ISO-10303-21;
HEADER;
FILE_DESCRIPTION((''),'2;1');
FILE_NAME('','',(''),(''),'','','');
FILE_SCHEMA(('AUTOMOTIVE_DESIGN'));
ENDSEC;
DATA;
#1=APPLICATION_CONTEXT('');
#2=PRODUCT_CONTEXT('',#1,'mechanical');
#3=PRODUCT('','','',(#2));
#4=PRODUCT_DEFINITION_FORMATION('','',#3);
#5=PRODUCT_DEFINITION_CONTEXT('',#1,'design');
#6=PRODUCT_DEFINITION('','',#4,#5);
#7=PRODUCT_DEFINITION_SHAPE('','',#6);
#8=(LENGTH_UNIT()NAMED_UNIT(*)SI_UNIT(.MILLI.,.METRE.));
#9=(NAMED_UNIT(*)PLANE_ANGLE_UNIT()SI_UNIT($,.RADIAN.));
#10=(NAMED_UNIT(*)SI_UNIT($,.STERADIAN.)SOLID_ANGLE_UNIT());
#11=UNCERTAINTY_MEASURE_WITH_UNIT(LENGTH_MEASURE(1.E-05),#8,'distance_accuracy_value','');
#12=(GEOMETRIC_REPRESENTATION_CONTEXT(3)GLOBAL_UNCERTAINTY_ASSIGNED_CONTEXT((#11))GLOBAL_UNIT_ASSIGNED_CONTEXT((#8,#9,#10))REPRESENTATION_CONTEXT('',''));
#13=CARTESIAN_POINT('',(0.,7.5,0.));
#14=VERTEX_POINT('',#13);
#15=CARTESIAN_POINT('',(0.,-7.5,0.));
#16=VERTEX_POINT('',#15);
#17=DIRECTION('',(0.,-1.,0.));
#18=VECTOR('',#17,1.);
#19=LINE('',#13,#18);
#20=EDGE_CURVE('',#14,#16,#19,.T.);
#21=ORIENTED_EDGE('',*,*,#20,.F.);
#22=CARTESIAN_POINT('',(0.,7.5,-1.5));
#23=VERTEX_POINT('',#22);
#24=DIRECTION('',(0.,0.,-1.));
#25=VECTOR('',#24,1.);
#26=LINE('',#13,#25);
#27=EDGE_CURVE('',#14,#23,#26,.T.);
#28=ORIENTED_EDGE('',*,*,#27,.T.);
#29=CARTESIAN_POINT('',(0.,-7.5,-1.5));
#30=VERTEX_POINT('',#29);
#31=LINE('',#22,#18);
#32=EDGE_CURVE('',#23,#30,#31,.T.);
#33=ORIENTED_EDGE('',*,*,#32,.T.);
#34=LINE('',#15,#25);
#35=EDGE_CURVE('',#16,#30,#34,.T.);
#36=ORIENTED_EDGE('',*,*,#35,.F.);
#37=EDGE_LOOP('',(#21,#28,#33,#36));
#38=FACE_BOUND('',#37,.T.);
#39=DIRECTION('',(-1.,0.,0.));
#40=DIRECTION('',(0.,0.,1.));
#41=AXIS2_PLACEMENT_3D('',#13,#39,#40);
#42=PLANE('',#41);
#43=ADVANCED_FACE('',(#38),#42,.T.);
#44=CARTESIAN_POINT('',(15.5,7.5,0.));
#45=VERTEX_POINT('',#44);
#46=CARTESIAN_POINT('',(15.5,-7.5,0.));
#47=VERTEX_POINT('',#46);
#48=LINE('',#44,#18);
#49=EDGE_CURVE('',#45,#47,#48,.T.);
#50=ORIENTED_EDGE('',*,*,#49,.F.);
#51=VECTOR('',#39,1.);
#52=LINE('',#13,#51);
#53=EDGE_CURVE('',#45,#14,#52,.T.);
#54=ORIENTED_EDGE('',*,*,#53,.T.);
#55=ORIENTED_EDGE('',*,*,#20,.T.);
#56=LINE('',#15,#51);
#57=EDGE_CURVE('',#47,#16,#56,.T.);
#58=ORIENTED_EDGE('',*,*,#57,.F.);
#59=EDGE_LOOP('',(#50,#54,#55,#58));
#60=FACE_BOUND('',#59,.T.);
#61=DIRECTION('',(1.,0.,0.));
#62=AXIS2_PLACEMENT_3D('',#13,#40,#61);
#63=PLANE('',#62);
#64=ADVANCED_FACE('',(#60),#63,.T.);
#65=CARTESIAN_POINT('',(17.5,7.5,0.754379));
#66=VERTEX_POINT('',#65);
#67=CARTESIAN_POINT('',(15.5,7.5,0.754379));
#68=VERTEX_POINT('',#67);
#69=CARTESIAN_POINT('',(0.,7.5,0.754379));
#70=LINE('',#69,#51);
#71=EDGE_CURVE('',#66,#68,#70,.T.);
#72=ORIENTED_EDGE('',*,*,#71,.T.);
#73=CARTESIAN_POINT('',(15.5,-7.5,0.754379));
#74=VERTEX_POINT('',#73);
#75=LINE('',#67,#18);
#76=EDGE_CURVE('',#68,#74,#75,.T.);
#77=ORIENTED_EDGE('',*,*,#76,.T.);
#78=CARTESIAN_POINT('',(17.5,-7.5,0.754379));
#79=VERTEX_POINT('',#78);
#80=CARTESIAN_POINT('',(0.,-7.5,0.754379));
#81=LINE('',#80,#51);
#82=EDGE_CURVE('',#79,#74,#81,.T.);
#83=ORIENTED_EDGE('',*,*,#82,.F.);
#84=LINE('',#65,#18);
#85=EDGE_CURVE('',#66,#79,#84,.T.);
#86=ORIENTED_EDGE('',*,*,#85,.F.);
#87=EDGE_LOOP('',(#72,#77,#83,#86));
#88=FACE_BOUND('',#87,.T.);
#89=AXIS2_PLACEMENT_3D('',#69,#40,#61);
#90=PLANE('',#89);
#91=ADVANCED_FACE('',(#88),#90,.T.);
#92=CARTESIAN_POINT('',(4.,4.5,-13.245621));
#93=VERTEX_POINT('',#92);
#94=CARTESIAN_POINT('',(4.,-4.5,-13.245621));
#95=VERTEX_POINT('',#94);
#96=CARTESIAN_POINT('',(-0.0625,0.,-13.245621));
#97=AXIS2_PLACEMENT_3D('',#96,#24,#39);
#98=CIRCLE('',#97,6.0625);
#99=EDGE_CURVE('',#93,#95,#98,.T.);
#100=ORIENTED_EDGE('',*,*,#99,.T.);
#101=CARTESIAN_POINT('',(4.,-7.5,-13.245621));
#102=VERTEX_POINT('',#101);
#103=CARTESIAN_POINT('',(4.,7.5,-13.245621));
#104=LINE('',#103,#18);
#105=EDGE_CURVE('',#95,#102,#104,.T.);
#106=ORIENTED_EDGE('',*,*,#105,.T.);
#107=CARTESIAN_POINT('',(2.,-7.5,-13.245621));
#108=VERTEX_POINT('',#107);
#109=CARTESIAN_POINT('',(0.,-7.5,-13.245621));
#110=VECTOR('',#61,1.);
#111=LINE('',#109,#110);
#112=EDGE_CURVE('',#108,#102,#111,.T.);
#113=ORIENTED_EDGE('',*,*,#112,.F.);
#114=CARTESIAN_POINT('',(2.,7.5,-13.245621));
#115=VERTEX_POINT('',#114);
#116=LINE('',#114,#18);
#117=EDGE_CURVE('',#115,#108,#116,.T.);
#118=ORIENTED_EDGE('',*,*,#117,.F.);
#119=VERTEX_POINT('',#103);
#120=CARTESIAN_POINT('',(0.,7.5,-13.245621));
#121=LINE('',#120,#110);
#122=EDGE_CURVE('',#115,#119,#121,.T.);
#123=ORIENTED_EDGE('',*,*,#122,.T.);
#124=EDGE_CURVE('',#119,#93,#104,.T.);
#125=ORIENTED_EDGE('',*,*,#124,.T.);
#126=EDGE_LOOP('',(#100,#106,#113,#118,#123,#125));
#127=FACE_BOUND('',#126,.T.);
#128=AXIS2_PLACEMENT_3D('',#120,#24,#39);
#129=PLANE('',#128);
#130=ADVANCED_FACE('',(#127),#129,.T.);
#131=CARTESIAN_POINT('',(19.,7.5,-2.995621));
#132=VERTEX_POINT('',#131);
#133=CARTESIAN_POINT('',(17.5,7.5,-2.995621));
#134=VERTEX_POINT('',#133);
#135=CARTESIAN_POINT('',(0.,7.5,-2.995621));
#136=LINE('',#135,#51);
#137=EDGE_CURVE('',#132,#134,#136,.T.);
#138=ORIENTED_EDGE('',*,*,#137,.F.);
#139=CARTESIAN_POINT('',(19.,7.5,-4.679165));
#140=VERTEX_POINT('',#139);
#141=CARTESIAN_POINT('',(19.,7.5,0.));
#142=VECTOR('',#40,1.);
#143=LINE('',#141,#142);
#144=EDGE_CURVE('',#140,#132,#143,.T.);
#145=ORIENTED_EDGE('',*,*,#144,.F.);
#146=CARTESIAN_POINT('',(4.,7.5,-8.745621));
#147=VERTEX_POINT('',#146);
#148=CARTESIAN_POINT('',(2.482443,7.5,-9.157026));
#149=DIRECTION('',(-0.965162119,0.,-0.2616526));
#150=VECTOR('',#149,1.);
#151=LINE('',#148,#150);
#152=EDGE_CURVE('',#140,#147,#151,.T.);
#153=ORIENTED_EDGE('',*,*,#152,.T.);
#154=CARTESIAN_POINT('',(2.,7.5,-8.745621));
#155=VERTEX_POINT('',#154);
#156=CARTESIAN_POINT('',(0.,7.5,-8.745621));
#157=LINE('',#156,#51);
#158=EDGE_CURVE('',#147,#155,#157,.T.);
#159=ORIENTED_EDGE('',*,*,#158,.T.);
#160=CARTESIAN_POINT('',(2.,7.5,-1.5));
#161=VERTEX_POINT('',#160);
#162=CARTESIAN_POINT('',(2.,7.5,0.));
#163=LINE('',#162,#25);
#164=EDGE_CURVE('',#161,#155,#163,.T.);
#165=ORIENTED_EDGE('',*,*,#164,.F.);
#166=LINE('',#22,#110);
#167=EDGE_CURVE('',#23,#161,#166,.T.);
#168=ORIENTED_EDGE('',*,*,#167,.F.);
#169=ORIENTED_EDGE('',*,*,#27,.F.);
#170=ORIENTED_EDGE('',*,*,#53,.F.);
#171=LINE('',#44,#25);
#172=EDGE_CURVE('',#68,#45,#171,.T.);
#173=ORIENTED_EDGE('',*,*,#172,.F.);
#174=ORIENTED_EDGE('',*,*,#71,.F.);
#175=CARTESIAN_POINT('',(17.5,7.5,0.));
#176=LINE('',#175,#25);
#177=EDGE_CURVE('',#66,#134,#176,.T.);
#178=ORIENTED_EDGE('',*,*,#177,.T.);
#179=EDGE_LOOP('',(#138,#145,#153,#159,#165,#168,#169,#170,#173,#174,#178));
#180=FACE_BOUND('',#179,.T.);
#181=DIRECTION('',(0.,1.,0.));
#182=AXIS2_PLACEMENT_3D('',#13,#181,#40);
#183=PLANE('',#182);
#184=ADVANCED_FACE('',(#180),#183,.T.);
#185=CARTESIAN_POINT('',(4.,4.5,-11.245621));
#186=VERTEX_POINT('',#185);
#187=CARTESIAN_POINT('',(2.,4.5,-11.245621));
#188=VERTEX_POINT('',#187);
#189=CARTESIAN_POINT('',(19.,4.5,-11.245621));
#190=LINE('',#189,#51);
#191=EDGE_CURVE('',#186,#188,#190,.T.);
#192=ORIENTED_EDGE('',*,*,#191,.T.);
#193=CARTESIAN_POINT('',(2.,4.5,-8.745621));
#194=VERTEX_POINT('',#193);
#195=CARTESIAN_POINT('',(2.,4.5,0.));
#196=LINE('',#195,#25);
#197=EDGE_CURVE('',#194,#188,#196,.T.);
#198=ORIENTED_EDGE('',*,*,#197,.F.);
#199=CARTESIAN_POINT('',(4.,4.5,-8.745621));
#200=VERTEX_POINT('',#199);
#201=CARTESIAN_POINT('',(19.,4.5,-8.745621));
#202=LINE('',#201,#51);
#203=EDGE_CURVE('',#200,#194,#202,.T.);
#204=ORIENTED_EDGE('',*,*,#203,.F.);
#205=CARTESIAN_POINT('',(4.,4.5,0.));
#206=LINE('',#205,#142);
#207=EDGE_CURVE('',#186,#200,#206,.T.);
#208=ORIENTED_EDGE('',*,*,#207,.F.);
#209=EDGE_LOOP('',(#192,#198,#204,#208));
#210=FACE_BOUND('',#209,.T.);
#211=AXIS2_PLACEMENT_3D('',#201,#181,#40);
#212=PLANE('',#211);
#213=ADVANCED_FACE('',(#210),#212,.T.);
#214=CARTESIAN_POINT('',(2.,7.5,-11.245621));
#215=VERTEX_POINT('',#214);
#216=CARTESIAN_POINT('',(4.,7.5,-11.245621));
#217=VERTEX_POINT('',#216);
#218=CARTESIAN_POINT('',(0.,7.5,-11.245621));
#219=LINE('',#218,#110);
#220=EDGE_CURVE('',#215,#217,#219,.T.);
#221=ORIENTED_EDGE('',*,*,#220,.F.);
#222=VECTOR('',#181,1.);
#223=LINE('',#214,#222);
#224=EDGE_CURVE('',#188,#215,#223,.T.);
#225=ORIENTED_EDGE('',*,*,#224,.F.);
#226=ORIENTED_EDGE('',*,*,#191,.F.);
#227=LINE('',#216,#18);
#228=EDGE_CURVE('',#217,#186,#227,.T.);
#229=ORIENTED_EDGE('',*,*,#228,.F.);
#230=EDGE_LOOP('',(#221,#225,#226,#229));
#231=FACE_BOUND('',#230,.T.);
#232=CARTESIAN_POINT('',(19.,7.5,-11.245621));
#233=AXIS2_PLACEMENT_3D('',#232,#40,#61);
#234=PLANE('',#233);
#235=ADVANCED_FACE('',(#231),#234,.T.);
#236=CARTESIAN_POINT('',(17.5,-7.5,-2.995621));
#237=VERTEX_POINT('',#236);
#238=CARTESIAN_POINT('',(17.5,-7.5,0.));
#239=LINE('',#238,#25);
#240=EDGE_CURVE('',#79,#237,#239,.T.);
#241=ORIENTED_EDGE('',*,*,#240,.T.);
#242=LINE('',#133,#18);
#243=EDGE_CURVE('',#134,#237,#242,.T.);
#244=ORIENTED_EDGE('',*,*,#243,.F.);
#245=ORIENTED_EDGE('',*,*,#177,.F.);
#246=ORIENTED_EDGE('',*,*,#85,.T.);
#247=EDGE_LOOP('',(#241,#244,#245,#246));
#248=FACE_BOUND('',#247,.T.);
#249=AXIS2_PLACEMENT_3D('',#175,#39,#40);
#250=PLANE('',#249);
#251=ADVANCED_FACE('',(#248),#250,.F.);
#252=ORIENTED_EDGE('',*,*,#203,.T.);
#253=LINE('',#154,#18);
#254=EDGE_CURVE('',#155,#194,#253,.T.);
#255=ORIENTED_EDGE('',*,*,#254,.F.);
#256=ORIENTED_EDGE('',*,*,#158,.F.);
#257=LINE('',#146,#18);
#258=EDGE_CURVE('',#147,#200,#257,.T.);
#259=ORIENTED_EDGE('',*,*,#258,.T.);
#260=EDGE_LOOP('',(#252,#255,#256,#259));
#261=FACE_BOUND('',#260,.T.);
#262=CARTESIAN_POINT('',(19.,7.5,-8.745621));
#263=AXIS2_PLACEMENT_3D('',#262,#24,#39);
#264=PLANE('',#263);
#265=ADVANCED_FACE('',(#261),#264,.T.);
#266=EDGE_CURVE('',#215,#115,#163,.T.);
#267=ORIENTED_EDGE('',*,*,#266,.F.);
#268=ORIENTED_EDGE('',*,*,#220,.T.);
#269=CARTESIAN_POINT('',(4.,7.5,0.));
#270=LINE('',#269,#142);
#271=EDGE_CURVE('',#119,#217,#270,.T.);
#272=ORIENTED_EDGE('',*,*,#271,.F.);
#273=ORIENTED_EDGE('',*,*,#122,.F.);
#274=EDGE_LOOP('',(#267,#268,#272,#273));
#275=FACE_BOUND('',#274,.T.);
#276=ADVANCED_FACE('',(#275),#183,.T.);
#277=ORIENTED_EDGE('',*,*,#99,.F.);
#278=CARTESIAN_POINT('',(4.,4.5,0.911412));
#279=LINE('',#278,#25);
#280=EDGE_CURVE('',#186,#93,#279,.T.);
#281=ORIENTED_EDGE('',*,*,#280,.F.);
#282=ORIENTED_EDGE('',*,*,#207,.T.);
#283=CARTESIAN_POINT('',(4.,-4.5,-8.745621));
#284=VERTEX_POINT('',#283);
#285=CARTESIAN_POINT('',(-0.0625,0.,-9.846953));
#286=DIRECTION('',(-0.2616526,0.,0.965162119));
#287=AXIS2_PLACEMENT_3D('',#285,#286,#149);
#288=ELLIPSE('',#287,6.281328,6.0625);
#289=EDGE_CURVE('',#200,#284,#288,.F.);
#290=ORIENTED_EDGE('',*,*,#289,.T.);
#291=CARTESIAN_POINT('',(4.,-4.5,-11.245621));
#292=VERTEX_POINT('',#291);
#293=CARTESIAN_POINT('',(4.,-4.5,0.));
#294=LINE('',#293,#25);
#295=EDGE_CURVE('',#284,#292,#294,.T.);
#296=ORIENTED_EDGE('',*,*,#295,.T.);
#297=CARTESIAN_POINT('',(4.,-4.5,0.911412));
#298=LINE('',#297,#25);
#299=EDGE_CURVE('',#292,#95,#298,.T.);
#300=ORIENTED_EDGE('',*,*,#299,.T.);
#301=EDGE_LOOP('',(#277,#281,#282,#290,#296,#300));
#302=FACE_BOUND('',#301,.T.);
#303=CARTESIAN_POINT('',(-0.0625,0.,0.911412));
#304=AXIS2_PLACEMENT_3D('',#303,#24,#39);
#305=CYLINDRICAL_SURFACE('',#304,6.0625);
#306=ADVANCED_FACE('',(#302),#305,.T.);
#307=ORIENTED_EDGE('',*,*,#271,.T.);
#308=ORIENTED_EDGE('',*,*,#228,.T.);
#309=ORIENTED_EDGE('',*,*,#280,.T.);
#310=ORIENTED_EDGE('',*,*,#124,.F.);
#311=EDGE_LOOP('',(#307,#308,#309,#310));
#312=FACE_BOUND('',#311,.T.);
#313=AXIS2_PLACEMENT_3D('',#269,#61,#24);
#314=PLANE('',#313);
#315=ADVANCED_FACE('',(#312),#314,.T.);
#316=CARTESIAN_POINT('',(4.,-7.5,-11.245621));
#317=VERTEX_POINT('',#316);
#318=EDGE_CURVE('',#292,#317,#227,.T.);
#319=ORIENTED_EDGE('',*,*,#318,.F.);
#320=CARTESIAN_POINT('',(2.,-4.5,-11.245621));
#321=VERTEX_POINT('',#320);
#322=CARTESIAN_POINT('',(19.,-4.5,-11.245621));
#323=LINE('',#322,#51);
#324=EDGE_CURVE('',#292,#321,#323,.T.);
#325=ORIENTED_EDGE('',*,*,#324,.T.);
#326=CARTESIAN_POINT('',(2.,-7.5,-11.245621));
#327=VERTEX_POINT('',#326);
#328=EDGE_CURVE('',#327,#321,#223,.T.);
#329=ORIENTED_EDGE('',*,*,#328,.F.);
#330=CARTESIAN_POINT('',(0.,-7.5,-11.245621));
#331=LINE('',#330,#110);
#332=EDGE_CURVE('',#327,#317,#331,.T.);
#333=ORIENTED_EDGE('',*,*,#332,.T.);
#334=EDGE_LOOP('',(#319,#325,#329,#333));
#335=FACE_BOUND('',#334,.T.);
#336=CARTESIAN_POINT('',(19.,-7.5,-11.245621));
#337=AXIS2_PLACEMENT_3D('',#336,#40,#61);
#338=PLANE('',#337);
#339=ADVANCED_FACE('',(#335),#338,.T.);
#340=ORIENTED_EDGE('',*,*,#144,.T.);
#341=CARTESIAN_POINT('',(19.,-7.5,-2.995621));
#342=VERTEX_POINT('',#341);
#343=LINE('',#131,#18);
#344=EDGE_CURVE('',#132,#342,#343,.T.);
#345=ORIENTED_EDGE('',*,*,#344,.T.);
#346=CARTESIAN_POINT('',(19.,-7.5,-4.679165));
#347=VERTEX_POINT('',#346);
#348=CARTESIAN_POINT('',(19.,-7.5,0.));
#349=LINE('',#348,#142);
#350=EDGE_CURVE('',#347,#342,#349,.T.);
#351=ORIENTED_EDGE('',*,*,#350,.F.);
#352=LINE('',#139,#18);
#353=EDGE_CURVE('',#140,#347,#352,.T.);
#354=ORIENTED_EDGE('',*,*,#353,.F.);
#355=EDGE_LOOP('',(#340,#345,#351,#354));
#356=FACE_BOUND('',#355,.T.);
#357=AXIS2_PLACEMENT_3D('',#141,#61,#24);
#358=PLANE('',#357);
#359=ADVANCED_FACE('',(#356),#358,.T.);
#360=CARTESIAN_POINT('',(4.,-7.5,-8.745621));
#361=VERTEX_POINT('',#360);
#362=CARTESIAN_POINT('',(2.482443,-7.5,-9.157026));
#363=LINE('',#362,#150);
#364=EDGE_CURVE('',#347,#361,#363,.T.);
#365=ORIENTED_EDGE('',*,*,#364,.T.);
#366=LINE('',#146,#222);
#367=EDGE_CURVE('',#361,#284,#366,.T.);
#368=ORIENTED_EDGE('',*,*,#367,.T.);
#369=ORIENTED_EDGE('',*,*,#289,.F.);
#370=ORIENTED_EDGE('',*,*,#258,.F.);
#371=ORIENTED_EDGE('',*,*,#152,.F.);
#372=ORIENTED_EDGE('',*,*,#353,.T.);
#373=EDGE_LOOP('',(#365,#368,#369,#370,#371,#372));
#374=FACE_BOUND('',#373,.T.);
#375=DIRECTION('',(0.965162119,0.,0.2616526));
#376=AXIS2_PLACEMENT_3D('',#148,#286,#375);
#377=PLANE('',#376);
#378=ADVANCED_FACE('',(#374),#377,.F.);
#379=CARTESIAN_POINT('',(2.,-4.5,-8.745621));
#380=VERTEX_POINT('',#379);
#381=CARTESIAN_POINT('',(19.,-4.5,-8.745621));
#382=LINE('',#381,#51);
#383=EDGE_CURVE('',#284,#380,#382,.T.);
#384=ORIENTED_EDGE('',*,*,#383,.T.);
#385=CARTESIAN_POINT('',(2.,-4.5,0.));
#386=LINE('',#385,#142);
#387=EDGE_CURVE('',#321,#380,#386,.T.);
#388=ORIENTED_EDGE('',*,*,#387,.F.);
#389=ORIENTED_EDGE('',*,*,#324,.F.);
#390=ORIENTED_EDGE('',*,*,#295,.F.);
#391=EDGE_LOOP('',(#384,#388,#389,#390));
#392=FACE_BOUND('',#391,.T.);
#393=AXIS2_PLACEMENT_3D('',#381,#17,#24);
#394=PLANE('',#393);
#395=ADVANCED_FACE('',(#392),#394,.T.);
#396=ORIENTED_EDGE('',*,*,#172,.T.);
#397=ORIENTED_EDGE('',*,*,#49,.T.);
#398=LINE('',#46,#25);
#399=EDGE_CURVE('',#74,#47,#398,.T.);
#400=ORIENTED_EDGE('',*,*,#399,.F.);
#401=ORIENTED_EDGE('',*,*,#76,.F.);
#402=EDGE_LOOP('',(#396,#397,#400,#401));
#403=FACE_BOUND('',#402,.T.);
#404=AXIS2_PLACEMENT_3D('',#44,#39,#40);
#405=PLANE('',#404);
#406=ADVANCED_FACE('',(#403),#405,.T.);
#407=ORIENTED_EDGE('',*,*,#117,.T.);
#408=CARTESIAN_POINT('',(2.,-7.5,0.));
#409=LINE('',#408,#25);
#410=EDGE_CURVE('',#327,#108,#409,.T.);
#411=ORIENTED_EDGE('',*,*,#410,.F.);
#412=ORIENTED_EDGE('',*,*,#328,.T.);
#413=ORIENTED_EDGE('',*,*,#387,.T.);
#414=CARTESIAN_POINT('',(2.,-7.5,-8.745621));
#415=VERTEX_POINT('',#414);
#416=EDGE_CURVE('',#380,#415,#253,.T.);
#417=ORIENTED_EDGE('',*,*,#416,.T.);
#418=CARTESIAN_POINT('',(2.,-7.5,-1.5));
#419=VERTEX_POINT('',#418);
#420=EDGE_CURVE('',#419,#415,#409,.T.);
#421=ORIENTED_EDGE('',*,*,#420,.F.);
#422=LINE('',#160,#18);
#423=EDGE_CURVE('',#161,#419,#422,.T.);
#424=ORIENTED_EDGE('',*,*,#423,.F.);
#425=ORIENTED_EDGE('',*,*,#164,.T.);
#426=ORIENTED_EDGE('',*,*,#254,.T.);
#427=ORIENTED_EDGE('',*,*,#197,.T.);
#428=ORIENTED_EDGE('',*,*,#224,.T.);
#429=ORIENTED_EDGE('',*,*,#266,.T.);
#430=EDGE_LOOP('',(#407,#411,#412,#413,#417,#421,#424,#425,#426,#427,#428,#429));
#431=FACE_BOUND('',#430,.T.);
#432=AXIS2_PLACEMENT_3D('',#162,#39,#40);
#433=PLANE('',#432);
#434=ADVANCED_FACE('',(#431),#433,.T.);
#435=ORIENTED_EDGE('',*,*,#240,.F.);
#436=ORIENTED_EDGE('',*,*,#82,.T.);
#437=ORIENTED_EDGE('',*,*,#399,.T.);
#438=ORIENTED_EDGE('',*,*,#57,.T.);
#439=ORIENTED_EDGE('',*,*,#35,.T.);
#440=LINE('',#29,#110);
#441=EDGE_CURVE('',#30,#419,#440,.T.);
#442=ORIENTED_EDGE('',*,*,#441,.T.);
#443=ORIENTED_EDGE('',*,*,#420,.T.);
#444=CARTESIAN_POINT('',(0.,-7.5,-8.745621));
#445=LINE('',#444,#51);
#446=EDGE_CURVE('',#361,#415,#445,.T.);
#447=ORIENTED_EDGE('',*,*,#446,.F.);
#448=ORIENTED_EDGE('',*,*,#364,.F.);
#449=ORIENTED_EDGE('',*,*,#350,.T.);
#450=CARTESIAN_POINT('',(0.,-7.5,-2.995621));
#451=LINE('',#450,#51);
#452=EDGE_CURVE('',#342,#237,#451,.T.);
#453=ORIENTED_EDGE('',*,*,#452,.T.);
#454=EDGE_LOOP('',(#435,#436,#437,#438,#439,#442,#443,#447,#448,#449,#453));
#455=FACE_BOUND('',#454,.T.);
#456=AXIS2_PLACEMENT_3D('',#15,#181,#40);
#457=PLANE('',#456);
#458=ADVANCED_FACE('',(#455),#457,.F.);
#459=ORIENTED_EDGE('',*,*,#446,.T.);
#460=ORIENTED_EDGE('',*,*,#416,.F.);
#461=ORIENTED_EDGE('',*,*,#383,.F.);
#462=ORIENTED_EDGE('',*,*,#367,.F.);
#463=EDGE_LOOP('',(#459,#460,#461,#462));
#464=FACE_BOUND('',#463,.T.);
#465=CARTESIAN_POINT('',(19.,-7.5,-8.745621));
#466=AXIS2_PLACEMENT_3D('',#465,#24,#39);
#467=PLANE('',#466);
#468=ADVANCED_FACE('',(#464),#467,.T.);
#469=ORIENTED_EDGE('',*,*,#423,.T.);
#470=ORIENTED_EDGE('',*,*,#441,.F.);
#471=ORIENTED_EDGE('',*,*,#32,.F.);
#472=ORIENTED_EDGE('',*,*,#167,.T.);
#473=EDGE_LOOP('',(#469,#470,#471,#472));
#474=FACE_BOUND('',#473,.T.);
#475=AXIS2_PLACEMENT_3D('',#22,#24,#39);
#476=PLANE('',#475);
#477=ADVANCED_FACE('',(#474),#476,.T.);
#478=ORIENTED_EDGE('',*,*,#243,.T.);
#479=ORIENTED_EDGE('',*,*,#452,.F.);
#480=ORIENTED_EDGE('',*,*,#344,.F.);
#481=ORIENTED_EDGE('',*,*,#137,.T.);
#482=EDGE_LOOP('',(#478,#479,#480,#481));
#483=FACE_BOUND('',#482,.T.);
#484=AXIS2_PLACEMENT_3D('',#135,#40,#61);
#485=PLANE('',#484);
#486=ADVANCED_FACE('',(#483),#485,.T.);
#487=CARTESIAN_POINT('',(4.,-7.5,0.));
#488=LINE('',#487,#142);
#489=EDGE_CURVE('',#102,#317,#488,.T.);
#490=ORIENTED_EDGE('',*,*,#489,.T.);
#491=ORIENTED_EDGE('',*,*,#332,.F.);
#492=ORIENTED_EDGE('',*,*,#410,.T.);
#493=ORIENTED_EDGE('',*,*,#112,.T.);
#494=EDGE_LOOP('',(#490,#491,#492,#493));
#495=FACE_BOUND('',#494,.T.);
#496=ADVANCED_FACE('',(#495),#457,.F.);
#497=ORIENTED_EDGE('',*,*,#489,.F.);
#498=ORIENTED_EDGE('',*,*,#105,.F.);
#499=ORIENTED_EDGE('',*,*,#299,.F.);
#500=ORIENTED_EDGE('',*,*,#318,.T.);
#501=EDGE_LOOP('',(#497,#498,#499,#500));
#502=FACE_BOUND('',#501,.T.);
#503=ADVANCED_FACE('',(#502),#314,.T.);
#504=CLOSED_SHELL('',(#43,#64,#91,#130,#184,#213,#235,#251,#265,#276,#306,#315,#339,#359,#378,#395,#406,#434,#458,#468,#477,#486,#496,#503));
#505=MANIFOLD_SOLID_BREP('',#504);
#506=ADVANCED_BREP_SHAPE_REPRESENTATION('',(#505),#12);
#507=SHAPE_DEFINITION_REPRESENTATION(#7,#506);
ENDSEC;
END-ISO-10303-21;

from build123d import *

# Parameters (mm, degrees)
BOSS_EXTRUDE1_DEPTH = 7.5
SKETCH2_W           = 2.5
SKETCH2_H           = 3
CUT_EXTRUDE2_DEPTH  = 20
BOSS_EXTRUDE2_REACH = 16


with BuildPart() as part:
    # Sketch1 → Boss-Extrude1 (new body, symmetric)
    with BuildSketch(Plane(origin=(0, 0, 0), x_dir=(1, 0, 0), z_dir=(0, 1, 0))):
        Polygon((2, 13.245621125), (2, 1.5), (0, 1.5), (0, 0), (15.5, 0), (15.5, -0.754378875), (17.5, -0.754378875), (17.5, 1.128157441), (17.5, 2.995621125), (19, 2.995621125), (19, 4.67916542), (4, 8.745621125), (4, 13.245621125), align=None)
    extrude(amount=BOSS_EXTRUDE1_DEPTH, both=True)

    # Sketch2 → Cut-Extrude2 (cut, through all)
    with BuildSketch(Plane(origin=(0, 0, 0), x_dir=(0, 0, -1), z_dir=(1, 0, 0))):
        with Locations((9.995621125, 6)):
            Rectangle(SKETCH2_W, SKETCH2_H)
        with Locations((9.995621125, -6)):
            Rectangle(SKETCH2_W, SKETCH2_H)
    extrude(amount=CUT_EXTRUDE2_DEPTH, mode=Mode.SUBTRACT)

    # Boss-Extrude2: up to this face of the body (flat: up to its plane)
    boss_extrude2_end = Plane(part.part.faces().sort_by_distance((11.5, 0, -6.712393272))[0])
    # Sketch4 → Boss-Extrude2 (add, up to the picked face)
    with BuildSketch(Plane(origin=(0, 0, -13.245621125), x_dir=(-1, 0, 0), z_dir=(0, 0, -1)), mode=Mode.PRIVATE) as boss_extrude2_sk1:
        with BuildLine():
            Line((-4, 4.5), (-4, -4.5))
            ThreePointArc((-4, -4.5), (-6, 0), (-4, 4.5))
        make_face()
    boss_extrude2_tool1 = split(extrude(boss_extrude2_sk1.sketch, amount=-BOSS_EXTRUDE2_REACH, mode=Mode.PRIVATE), bisect_by=boss_extrude2_end, keep=Keep.BOTH, mode=Mode.PRIVATE)
    add(boss_extrude2_tool1.solids().sort_by_distance((4.812513, 0, -13.245621))[0])


solid = part.part
